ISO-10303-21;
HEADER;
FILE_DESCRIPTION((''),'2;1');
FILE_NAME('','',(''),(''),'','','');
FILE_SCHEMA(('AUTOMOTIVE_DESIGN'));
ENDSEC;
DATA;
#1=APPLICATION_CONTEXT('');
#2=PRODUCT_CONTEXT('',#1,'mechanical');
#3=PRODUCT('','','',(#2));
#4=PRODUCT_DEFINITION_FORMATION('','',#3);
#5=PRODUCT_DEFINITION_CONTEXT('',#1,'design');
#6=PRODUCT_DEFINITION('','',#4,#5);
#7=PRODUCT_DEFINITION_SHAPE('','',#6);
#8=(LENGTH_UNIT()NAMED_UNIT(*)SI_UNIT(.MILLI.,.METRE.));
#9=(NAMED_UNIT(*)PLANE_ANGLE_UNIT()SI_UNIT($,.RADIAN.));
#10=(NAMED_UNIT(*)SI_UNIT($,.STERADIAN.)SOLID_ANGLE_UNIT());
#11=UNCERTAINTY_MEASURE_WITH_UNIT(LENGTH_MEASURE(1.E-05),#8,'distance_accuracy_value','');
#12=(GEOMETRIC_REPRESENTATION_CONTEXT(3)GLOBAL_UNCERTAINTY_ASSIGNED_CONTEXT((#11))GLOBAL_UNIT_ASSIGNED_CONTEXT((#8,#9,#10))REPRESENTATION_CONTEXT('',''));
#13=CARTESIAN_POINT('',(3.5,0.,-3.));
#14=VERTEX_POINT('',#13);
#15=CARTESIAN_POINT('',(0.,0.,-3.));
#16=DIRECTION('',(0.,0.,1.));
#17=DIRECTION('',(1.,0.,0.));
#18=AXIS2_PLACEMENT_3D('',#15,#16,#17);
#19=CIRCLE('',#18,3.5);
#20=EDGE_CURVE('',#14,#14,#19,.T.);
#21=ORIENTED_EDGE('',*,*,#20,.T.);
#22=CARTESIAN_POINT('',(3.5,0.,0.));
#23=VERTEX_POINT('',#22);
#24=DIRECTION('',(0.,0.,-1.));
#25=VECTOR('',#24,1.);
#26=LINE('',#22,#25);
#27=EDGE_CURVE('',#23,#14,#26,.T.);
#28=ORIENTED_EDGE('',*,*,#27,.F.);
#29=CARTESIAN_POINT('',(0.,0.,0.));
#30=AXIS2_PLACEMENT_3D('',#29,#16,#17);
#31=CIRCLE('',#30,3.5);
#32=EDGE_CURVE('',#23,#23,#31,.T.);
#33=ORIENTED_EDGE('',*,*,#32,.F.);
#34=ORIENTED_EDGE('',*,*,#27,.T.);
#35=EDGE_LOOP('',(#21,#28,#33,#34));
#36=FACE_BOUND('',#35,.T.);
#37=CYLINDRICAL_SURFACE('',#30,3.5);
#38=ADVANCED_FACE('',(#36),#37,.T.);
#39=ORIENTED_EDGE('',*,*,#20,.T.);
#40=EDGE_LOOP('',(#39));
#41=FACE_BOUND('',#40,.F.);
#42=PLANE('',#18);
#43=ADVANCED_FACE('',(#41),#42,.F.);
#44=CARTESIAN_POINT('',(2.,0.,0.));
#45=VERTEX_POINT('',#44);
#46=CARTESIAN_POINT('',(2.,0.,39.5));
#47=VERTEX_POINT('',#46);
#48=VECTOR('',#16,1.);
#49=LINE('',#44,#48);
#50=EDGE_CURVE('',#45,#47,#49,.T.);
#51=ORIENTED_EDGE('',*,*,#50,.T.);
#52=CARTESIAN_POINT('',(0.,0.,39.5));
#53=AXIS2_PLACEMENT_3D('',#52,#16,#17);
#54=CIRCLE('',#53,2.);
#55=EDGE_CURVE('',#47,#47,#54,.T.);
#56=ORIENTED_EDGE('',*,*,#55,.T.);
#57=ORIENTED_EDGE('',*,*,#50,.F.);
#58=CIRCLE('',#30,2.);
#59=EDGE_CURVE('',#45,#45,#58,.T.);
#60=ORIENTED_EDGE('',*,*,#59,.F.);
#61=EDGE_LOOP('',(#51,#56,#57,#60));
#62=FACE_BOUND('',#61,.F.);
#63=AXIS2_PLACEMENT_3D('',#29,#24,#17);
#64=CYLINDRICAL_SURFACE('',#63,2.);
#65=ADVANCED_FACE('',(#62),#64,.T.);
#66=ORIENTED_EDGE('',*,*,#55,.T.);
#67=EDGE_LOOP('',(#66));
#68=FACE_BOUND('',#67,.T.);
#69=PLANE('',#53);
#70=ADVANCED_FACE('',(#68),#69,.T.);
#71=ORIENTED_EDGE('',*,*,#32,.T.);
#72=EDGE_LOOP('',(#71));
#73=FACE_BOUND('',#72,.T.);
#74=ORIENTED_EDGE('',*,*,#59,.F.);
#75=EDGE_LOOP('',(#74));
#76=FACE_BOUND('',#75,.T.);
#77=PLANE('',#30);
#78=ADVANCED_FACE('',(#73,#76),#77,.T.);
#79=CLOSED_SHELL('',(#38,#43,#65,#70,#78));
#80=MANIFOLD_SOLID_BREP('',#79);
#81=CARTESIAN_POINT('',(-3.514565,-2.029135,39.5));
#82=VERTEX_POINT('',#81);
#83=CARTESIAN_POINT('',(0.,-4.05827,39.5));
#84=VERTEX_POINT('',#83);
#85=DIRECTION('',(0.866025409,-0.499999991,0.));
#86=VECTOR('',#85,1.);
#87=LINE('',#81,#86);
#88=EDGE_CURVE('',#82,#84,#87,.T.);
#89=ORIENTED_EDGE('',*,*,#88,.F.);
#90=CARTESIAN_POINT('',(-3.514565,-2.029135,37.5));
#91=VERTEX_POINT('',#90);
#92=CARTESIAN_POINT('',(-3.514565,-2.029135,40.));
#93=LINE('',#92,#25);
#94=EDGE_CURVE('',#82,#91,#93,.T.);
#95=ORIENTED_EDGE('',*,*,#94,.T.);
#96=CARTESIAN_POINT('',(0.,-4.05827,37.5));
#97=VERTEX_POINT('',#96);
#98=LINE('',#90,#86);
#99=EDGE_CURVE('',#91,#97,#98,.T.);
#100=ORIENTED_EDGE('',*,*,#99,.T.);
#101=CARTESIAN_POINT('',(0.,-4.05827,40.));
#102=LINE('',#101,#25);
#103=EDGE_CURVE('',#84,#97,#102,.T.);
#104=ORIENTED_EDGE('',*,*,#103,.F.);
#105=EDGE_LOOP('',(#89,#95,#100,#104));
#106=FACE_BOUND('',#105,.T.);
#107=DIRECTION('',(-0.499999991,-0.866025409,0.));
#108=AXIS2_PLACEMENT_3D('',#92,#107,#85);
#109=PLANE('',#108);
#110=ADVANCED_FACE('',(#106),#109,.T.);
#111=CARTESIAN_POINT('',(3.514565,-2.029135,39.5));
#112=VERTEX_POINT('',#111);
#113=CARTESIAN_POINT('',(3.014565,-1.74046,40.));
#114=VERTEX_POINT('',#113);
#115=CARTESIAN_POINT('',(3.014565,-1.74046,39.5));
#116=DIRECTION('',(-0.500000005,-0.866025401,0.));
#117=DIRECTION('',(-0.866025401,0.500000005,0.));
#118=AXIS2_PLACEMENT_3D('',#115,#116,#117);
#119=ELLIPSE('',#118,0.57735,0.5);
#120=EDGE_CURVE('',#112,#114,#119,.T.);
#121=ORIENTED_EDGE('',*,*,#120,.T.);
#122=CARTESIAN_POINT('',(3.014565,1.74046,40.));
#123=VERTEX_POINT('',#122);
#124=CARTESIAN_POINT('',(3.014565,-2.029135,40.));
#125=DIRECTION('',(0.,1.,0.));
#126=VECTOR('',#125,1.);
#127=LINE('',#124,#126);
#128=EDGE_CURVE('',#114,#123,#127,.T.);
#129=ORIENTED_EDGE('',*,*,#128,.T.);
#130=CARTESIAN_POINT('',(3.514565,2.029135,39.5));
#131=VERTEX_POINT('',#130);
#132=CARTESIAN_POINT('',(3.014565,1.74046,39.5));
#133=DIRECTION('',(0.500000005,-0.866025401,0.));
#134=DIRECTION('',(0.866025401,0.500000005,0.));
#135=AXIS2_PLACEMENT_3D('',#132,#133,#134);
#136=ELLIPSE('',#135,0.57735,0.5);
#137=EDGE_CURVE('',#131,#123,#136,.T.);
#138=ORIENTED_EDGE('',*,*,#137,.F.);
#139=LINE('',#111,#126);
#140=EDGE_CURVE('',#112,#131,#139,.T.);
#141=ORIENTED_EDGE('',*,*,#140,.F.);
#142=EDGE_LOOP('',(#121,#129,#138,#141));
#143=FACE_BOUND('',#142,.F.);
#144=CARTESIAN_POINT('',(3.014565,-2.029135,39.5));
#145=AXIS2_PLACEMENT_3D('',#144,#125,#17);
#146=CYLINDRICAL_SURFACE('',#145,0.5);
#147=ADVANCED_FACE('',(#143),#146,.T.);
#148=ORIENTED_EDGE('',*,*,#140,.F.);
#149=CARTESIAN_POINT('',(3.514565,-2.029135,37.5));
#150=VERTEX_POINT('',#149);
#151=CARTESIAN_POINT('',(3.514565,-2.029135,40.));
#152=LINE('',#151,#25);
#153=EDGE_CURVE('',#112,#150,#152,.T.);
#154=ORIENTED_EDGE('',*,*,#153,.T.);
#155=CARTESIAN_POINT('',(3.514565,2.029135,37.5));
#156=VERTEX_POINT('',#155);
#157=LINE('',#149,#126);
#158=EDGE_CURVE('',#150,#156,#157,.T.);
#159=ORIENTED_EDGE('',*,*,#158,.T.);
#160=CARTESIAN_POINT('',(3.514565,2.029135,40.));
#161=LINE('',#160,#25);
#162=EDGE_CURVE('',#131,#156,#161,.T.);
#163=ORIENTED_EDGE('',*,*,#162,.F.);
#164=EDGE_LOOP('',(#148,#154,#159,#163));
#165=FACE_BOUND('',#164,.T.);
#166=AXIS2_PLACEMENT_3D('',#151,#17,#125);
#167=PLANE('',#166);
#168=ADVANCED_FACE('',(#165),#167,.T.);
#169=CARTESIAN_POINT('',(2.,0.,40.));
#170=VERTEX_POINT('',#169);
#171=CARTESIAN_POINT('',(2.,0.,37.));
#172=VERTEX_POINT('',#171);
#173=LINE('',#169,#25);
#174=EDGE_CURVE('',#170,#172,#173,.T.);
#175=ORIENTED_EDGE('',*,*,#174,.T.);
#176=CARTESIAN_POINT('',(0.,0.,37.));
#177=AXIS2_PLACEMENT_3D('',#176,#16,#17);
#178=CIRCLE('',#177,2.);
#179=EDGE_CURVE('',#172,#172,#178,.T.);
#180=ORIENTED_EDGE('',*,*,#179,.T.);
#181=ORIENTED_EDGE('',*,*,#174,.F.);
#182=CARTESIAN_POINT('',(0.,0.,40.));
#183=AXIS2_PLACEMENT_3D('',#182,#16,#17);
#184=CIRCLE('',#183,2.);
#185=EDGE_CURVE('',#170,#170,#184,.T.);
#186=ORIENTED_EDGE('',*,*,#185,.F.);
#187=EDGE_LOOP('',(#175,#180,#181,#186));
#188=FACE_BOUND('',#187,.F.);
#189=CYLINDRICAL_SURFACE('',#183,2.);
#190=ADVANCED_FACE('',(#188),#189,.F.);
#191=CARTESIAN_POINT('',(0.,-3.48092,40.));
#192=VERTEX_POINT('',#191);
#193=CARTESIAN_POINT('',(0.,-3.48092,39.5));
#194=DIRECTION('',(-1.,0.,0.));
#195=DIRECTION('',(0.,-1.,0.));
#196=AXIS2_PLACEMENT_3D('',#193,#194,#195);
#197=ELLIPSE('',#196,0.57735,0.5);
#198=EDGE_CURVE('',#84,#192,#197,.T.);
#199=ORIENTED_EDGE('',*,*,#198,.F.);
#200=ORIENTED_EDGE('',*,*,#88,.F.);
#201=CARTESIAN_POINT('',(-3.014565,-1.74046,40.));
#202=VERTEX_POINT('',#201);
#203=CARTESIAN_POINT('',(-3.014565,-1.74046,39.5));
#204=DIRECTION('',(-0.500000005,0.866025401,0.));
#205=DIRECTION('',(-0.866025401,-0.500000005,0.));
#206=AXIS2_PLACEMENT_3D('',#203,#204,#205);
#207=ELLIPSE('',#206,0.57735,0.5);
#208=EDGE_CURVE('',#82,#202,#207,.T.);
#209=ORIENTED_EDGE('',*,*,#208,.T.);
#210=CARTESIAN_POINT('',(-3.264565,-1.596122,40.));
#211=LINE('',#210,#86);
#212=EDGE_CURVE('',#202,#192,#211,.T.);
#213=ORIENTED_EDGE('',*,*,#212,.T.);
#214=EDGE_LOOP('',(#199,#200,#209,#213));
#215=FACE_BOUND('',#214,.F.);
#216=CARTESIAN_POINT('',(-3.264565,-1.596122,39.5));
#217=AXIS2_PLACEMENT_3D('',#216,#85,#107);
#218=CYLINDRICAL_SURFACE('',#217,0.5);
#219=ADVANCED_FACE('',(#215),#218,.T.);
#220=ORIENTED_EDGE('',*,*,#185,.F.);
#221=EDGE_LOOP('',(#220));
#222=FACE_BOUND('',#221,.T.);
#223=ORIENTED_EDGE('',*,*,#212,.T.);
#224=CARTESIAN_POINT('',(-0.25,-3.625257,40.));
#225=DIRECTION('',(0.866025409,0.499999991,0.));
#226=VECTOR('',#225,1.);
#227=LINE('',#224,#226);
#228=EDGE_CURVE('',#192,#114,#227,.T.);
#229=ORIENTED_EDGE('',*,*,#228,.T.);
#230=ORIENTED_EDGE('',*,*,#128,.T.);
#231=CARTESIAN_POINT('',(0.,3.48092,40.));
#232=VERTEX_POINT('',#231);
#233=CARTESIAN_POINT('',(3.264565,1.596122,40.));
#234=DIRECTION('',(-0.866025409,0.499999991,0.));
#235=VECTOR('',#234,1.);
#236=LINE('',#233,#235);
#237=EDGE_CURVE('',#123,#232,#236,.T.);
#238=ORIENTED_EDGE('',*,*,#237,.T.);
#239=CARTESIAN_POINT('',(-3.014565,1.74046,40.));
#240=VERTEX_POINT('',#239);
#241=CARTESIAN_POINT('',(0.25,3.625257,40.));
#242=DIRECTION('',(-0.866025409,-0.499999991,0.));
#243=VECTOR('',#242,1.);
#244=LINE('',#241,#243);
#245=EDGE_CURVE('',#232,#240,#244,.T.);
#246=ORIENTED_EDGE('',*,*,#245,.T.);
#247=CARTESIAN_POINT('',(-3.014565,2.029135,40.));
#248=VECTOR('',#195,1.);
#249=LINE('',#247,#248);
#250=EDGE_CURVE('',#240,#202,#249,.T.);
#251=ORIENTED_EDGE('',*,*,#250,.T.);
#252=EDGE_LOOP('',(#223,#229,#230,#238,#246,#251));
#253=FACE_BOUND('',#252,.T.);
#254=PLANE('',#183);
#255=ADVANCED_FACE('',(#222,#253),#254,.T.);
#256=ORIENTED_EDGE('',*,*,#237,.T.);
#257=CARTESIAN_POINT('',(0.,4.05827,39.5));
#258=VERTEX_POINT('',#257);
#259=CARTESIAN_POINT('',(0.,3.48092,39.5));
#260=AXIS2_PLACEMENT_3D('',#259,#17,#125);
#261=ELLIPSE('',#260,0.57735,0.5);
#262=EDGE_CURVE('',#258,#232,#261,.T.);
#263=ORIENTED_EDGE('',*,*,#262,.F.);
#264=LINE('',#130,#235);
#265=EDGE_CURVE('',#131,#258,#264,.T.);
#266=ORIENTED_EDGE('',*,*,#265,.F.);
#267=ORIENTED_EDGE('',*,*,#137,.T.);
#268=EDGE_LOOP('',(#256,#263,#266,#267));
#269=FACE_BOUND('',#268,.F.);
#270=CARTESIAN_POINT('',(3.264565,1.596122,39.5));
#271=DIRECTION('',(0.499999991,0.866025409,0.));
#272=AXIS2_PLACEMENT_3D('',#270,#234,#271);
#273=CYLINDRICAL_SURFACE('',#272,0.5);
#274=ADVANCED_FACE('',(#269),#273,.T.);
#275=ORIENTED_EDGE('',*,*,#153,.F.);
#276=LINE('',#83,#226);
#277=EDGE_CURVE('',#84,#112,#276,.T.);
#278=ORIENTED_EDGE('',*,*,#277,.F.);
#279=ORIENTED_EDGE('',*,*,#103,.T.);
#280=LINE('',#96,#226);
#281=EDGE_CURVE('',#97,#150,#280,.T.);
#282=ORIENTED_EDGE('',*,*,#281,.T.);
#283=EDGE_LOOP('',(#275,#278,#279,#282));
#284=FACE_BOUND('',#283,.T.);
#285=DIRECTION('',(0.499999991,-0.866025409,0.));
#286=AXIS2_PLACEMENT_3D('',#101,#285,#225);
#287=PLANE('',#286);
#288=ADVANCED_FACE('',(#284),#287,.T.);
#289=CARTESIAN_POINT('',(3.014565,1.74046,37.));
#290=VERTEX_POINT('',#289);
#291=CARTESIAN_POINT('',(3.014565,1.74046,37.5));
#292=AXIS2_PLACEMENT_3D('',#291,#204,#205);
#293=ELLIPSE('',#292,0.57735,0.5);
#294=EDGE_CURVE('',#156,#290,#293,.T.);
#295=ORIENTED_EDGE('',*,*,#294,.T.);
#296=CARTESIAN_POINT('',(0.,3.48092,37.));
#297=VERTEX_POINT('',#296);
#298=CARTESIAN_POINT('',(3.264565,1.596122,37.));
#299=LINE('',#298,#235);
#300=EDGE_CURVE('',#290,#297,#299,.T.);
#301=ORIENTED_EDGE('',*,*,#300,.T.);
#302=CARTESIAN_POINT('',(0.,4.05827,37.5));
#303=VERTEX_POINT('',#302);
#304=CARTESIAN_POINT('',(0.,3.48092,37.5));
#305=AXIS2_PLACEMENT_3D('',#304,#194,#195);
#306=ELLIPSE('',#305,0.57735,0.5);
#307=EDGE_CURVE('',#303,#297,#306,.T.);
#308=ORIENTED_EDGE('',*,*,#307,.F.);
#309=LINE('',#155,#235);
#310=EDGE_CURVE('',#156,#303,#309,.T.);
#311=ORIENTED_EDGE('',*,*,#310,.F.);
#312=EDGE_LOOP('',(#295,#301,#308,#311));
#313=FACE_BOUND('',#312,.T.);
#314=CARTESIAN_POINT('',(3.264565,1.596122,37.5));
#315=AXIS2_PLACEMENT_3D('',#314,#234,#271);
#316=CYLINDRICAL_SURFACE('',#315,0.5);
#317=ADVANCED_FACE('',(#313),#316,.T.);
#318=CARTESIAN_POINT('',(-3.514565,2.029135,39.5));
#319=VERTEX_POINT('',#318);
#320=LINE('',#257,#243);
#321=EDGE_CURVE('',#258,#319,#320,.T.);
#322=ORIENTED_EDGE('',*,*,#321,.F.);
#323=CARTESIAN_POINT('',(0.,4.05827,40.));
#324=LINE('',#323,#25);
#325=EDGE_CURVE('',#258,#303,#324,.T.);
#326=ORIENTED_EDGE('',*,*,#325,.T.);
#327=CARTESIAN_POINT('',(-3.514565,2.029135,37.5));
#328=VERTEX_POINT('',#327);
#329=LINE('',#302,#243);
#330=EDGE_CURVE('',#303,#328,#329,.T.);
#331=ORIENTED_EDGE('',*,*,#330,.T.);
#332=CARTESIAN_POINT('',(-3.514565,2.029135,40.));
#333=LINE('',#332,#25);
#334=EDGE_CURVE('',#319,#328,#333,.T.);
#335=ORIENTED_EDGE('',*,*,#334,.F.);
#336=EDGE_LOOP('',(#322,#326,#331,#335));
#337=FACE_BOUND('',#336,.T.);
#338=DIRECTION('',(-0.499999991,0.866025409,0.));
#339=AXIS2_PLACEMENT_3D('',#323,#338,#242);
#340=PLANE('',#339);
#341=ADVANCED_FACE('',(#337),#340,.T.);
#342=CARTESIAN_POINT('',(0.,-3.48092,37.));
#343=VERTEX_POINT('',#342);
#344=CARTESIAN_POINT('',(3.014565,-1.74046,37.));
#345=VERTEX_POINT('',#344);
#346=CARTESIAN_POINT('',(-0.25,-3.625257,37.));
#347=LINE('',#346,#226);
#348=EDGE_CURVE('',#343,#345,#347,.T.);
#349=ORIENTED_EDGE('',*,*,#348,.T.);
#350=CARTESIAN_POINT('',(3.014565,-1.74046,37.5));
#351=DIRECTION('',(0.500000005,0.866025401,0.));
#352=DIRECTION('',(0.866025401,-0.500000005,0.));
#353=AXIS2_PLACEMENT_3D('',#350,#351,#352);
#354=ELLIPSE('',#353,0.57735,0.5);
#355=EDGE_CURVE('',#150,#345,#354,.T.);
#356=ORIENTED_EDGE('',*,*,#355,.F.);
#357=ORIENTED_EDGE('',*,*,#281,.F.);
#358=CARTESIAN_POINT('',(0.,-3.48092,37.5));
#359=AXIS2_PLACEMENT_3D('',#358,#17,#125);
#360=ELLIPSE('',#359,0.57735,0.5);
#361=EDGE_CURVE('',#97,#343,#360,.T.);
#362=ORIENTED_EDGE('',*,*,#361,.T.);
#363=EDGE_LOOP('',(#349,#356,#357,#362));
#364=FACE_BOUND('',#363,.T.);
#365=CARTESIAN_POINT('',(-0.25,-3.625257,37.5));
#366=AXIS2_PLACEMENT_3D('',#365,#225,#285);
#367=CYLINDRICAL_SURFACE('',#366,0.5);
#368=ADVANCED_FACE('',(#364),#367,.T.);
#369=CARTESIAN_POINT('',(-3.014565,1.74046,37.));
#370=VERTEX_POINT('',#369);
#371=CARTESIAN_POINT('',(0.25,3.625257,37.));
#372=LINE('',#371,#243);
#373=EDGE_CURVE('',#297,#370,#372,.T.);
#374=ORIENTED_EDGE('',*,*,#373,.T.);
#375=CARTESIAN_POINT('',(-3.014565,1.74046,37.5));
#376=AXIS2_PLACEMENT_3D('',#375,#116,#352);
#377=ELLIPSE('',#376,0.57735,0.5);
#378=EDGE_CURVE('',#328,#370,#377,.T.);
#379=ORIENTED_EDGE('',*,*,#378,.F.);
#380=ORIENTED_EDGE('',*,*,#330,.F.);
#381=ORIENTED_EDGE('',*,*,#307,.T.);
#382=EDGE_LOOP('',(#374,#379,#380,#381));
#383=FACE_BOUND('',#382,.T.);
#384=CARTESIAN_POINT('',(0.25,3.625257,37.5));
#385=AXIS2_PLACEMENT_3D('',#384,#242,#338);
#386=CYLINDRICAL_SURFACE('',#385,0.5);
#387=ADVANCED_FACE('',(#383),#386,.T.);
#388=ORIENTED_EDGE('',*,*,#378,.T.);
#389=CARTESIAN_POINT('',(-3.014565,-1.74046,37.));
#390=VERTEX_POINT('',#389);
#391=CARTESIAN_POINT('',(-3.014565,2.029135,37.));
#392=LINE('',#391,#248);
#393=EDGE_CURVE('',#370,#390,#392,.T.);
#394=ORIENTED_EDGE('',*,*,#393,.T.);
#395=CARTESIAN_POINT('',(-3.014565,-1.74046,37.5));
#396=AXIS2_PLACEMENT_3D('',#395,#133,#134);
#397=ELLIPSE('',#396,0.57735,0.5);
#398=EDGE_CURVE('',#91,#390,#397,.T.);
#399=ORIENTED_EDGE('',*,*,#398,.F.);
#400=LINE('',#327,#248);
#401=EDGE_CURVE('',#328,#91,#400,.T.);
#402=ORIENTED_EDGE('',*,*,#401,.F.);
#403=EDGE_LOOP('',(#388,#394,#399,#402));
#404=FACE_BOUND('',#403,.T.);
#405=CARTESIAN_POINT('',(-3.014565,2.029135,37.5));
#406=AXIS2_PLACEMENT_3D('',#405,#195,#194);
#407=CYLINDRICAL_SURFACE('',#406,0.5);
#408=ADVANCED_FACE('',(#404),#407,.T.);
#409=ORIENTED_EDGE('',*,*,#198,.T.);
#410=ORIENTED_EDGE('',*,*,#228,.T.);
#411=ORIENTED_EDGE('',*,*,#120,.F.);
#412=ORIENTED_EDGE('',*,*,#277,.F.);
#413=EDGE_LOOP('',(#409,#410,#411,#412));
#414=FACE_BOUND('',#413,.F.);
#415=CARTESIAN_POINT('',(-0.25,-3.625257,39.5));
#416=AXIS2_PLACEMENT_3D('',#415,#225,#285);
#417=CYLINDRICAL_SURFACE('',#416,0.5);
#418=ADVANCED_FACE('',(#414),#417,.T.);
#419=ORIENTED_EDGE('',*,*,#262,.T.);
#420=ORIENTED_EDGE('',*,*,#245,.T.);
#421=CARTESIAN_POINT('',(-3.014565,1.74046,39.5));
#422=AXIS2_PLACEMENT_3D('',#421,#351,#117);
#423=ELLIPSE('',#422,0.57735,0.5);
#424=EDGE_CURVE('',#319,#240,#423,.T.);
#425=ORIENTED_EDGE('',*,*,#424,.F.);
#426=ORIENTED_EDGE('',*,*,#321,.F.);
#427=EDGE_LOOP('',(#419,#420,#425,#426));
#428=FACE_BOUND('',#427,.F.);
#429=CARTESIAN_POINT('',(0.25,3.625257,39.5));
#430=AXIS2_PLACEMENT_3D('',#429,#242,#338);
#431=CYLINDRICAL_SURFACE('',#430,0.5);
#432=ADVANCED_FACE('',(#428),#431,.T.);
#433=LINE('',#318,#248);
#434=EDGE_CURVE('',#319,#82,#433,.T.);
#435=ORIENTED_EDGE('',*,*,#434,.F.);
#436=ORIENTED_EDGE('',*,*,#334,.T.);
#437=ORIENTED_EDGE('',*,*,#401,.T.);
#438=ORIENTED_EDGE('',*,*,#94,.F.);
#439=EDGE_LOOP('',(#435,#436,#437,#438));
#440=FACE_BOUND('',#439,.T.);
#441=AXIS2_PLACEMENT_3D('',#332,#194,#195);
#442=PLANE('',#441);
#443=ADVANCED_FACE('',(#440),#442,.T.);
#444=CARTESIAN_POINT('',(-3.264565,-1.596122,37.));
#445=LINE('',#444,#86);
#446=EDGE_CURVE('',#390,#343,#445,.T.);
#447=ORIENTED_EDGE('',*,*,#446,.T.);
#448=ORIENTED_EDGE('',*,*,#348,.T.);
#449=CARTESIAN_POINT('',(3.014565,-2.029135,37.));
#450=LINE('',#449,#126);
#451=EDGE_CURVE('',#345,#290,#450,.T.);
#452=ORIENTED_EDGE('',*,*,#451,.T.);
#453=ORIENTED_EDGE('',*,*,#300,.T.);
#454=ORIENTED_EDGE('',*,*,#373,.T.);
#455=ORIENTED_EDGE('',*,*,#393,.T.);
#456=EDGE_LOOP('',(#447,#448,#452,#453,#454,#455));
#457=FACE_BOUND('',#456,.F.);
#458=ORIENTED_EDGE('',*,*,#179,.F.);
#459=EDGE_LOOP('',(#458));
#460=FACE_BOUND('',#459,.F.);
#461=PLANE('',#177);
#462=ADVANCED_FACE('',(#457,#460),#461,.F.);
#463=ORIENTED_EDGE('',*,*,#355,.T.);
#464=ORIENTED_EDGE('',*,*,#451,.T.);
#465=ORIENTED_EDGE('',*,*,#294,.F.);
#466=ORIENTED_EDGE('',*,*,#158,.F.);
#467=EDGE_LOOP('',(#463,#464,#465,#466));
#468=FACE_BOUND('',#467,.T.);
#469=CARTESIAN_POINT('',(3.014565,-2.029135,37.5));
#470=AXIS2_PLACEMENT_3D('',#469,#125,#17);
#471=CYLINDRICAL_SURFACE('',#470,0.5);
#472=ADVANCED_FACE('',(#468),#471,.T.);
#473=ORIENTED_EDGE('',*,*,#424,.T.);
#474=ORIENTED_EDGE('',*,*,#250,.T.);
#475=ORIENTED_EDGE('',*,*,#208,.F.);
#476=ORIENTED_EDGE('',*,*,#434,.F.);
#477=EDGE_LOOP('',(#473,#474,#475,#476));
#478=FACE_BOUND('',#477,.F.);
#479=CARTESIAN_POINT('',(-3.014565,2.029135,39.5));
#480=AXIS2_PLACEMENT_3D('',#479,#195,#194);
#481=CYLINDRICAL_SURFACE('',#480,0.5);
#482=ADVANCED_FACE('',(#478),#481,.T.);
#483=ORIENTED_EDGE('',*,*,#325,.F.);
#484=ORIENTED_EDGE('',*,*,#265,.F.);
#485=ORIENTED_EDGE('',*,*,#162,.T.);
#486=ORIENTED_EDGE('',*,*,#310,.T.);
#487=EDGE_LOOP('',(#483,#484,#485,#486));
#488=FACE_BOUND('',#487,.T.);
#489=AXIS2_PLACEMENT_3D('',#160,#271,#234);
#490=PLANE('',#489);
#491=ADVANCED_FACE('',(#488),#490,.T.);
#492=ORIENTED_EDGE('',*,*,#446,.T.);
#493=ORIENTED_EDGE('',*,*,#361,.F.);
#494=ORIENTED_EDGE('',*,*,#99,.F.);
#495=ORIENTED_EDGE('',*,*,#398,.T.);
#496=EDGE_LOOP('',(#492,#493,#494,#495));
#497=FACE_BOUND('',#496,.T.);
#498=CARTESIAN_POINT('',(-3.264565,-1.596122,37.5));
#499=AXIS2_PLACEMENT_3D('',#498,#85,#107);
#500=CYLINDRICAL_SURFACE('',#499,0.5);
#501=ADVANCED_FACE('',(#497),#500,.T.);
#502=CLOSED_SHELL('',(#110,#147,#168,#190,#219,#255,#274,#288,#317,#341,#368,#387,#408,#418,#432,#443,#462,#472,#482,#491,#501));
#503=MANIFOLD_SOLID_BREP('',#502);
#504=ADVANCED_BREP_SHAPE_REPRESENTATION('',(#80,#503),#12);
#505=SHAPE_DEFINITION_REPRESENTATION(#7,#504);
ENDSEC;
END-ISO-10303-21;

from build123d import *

# Parameters (mm, degrees)
F0_R     = 2
F1_DEPTH = 40
F0_R_2   = 3.5
F2_DEPTH = 3
F3_R     = 2
F4_DEPTH = 3
F5_DEPTH = 0.5
F6_R     = 0.5


with BuildPart() as f1:
    # F0 (on Top) → F1 (new body)
    with BuildSketch(Plane.XY):
        Circle(F0_R)
    extrude(amount=F1_DEPTH)

    # F0 (on Top) → F2 (join)
    with BuildSketch(Plane.XY):
        Circle(F0_R_2)
        Circle(F0_R, mode=Mode.SUBTRACT)
        Circle(F0_R)
    extrude(amount=-F2_DEPTH)

    # F3 (on face) → F5 (cut)
    with BuildSketch(Plane.XY.offset(40)):
        Circle(F3_R)
    extrude(amount=-F5_DEPTH, mode=Mode.SUBTRACT)


with BuildPart() as f4:
    # F3 (on face) → F4 (new body)
    with BuildSketch(Plane.XY.offset(40)):
        Polygon((3.514565, -2.029135), (3.514565, 2.029135), (0, 4.05827), (-3.514565, 2.029135), (-3.514565, -2.029135), (0, -4.05827), align=None)
        Circle(F3_R, mode=Mode.SUBTRACT)
    extrude(amount=-F4_DEPTH)

    # F6
    f6_edges = [f4.edges().sort_by_distance(p)[0] for p in [
        (3.514565, 0, 40),
        (1.757282, 3.043702, 40),
        (-1.757282, 3.043702, 40),
        (-3.514565, 0, 40),
        (-1.757282, -3.043702, 40),
        (1.757282, -3.043702, 40),
        (1.757282, -3.043702, 37),
        (-1.757282, -3.043702, 37),
        (-3.514565, 0, 37),
        (-1.757282, 3.043702, 37),
        (1.757282, 3.043702, 37),
        (3.514565, 0, 37),
    ]]
    fillet(f6_edges, radius=F6_R)


solid = Compound([f1.part, f4.part])
